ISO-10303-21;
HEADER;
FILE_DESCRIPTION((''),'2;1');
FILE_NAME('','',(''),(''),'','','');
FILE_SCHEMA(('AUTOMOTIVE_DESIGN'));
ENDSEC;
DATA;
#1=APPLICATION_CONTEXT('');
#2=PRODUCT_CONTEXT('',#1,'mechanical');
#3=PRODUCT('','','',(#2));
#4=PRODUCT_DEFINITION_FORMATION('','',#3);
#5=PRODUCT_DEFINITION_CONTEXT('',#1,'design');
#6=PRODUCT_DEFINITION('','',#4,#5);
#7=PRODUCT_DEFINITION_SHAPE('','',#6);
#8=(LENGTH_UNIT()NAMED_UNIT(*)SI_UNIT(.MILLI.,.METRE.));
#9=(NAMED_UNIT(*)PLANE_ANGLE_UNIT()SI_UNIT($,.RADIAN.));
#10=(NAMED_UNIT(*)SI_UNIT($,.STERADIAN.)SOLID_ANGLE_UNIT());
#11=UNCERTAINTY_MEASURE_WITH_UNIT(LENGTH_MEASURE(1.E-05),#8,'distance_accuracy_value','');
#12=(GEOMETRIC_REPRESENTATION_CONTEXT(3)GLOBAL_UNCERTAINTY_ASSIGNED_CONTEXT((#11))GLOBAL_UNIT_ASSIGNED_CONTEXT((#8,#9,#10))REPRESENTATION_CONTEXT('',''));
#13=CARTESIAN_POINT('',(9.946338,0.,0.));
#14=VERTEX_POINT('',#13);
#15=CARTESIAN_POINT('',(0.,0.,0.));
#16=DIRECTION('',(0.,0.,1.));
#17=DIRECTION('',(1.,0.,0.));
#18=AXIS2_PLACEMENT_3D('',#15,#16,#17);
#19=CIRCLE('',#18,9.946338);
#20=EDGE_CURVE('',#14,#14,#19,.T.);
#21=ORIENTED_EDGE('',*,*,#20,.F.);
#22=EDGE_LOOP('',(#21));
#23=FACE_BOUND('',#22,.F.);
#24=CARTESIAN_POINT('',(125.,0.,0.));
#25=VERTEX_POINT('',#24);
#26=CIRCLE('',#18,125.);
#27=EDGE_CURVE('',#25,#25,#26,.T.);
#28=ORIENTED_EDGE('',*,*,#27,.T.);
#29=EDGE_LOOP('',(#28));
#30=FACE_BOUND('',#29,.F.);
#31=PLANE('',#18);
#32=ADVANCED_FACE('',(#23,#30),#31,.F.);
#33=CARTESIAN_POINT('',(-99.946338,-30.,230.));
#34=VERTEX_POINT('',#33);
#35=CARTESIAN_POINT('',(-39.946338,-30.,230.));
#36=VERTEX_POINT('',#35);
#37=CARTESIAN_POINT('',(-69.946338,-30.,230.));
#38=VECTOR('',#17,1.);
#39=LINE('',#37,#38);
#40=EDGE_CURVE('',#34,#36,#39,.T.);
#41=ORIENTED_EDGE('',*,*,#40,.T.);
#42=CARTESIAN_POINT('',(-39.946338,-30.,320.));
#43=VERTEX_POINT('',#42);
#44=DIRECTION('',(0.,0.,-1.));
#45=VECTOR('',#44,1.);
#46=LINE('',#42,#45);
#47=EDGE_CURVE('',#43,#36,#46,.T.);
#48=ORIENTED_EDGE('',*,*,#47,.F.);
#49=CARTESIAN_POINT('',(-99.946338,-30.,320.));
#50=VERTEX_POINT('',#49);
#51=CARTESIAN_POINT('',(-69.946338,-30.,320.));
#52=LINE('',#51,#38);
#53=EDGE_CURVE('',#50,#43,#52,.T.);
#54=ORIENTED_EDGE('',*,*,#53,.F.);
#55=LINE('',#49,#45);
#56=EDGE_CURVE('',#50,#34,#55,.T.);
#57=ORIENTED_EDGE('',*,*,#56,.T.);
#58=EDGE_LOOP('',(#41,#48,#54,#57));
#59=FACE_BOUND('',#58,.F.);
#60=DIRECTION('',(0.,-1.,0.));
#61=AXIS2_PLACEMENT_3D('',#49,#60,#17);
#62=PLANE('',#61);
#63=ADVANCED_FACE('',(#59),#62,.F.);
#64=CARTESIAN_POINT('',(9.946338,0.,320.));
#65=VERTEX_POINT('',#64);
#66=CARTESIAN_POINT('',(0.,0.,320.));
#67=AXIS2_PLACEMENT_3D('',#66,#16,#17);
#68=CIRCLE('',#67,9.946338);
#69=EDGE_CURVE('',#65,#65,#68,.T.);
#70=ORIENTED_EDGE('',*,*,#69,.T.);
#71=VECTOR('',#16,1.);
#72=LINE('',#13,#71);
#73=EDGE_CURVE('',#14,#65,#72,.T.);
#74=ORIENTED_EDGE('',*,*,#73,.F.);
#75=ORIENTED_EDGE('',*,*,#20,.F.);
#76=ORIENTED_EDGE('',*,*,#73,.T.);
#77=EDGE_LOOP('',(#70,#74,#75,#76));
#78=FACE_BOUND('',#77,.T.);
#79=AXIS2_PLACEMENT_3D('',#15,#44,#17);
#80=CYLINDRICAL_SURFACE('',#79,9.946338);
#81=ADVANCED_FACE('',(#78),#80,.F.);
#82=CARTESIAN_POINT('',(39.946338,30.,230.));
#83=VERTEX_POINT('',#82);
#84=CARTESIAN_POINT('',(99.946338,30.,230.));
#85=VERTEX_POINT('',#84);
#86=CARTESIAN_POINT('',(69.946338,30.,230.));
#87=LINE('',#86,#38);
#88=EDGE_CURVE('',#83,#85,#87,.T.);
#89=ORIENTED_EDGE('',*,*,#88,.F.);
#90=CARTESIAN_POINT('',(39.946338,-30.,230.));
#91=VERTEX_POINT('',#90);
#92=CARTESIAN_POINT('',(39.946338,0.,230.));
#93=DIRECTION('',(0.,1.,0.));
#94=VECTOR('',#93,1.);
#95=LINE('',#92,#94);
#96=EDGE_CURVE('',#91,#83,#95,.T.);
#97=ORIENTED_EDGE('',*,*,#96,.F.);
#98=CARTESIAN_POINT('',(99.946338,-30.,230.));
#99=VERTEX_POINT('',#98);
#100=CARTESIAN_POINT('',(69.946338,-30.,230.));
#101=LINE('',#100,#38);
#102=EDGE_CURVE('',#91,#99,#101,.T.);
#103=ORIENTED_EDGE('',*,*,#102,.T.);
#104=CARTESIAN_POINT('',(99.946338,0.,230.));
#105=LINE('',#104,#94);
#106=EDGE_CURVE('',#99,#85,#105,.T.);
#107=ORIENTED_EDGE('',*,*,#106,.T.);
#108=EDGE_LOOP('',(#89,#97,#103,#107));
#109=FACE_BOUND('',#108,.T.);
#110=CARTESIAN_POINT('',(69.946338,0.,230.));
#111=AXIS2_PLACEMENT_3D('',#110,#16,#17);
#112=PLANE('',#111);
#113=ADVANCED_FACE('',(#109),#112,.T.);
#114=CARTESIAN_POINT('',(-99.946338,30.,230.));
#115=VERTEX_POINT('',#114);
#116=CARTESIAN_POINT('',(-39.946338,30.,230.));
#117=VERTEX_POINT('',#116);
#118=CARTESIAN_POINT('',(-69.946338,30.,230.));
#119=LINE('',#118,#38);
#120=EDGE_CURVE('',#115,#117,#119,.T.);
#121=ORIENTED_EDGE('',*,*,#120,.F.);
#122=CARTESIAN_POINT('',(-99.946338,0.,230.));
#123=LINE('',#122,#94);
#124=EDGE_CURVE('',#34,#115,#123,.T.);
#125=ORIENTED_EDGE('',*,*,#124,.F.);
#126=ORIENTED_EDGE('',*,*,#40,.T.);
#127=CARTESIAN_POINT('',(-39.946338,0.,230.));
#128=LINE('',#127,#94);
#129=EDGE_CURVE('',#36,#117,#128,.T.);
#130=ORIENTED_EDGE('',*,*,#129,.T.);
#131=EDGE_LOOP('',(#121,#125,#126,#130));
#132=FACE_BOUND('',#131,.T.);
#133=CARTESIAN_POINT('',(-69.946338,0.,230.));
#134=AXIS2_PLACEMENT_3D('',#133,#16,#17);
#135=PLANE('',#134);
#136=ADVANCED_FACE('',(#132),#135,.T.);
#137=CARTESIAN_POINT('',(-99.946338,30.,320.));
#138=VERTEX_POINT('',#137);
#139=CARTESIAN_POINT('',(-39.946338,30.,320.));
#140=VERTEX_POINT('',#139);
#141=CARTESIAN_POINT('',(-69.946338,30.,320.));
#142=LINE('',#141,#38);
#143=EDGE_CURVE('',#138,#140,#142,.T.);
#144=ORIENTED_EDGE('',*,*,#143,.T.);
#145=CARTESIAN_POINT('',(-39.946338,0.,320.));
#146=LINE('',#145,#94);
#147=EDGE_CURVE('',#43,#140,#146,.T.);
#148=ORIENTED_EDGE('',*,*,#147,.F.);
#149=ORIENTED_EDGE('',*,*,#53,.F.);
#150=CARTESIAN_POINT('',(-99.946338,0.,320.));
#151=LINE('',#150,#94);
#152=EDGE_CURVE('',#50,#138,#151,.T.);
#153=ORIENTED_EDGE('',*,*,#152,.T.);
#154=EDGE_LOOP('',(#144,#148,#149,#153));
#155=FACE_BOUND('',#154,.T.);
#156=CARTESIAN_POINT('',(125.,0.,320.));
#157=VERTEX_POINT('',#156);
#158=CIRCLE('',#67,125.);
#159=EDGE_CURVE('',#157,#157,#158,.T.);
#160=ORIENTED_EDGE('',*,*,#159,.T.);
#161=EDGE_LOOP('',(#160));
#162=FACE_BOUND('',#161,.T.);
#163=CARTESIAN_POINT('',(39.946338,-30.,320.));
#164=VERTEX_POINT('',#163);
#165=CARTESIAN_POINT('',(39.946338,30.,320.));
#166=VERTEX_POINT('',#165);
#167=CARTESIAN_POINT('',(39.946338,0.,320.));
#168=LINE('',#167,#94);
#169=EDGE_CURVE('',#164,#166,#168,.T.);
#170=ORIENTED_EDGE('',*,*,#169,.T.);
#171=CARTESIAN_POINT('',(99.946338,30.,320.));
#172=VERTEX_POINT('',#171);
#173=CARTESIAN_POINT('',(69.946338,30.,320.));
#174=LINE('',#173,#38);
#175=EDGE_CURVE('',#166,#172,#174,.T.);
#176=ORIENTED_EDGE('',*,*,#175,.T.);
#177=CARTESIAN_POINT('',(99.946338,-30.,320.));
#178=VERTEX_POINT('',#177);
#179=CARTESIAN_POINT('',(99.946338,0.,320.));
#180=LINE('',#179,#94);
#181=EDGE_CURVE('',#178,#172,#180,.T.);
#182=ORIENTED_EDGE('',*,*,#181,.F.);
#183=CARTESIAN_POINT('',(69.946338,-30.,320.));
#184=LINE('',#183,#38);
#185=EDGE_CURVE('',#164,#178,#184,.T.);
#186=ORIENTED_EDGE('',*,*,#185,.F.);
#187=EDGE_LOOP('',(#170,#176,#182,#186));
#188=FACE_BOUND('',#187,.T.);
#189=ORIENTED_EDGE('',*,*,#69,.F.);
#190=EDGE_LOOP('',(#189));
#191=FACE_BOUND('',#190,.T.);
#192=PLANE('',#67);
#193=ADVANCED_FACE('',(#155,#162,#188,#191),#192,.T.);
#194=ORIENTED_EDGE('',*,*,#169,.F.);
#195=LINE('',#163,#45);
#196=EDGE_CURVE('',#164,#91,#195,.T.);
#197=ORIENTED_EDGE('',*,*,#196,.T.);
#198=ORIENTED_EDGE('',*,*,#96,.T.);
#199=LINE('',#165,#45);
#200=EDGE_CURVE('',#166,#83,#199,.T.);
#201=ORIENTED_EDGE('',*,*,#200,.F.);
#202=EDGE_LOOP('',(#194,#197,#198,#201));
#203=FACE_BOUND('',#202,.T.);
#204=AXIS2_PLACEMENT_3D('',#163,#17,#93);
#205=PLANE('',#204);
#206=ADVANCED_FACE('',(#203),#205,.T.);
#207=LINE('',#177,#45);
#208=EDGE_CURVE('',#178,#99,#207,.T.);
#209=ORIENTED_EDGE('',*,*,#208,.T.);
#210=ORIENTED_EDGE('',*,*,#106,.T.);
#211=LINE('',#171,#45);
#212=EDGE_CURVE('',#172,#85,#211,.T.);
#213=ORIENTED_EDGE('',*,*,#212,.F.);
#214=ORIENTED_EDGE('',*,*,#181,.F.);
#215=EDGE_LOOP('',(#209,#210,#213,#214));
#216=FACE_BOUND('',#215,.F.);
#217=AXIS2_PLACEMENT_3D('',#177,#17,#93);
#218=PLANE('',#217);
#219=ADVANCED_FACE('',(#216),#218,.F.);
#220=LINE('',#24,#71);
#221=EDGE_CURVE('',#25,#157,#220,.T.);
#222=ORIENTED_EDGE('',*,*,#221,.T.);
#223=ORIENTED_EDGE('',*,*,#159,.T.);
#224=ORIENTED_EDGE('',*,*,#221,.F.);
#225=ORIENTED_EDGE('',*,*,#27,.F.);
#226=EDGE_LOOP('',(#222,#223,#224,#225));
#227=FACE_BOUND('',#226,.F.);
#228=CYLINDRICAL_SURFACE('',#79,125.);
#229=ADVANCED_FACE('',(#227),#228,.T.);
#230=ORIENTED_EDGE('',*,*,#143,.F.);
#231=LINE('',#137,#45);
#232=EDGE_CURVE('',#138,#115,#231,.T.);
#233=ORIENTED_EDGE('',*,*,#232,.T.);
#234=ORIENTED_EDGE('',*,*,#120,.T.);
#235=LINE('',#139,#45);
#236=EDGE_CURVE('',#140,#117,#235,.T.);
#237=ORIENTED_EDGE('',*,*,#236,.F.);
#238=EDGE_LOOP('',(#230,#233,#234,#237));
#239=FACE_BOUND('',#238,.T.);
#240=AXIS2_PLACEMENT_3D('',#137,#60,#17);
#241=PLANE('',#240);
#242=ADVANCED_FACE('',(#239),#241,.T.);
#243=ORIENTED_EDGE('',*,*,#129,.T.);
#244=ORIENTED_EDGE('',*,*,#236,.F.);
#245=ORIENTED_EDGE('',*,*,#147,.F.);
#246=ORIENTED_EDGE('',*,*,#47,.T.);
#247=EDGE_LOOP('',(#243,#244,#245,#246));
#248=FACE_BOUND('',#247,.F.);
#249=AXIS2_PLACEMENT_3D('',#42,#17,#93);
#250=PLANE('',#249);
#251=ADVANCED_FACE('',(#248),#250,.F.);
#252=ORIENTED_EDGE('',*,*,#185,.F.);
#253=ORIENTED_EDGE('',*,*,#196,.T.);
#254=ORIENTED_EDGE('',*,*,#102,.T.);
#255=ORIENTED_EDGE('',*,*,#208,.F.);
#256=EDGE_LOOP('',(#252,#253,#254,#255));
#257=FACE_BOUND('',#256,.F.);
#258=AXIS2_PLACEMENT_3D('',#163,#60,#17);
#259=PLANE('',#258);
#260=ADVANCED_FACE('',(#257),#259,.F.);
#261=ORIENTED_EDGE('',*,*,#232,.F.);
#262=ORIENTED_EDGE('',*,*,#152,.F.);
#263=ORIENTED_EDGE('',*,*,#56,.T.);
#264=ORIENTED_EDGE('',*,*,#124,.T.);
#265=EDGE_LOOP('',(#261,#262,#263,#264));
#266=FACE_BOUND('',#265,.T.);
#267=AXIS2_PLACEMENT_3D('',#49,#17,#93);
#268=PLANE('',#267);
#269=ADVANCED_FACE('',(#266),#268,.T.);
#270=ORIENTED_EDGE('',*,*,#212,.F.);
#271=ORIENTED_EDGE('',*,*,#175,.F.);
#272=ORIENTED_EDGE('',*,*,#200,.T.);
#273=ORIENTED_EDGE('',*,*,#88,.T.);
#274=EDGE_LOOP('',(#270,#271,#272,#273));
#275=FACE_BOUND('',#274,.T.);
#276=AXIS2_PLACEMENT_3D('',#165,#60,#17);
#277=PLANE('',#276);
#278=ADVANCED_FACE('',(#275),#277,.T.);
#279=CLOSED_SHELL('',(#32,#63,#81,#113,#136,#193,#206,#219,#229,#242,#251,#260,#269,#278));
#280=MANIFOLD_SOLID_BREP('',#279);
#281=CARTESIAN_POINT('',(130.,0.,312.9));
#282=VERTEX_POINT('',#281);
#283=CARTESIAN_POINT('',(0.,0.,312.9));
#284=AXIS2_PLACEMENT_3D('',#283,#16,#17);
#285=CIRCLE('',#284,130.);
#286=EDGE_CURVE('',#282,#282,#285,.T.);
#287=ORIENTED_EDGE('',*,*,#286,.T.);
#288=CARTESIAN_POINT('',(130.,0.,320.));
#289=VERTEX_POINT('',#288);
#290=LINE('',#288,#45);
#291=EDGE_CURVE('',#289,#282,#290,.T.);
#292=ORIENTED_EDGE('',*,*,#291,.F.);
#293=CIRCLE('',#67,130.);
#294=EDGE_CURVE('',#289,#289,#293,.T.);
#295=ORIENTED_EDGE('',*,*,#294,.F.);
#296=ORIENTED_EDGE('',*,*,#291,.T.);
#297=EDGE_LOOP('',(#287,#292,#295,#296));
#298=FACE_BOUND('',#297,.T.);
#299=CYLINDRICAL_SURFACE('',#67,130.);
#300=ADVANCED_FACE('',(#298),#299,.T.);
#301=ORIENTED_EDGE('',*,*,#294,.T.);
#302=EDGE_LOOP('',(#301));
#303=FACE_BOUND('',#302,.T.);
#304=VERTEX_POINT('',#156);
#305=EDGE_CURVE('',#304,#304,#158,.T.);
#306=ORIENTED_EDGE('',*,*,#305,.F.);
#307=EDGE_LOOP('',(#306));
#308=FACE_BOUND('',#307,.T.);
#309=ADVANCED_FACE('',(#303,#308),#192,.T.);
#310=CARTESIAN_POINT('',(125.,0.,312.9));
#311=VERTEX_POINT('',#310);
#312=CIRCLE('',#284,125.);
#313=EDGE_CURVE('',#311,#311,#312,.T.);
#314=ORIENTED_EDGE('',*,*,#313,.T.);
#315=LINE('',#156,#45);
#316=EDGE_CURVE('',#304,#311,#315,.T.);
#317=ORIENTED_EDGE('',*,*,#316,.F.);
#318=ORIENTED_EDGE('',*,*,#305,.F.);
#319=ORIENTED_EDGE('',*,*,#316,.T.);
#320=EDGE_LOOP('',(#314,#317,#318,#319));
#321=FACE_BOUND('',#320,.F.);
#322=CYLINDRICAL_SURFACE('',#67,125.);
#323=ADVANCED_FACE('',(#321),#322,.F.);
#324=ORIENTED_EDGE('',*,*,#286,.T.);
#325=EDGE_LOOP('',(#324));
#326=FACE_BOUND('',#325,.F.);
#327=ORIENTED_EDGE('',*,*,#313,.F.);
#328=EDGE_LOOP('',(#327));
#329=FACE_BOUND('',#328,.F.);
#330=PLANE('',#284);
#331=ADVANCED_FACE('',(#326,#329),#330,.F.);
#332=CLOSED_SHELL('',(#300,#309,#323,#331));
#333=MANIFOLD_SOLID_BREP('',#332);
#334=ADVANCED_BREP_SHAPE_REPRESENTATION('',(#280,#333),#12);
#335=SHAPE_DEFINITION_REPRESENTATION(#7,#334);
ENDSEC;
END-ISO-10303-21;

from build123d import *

# Parameters (mm, degrees)
F0_R     = 125
F0_R_2   = 9.94633835
F1_DEPTH = 320
F2_R     = 130
F2_R_2   = 125
F3_DEPTH = 7.1
F4_R     = 0.9227178023
F5_DEPTH = 25
F6_W     = 60
F6_H     = 60
F7_DEPTH = 90


with BuildPart() as f1:
    # F0 (on Top) → F1 (new body)
    with BuildSketch(Plane.XY):
        Circle(F0_R)
        Circle(F0_R_2, mode=Mode.SUBTRACT)
    extrude(amount=F1_DEPTH)

    # F4 (on face) → F5 (cut)
    with BuildSketch(Plane.XY.offset(320)):
        Circle(F4_R)
    extrude(amount=-F5_DEPTH, mode=Mode.SUBTRACT)

    # F6 (on face) → F7 (cut)
    with BuildSketch(Plane.XY.offset(320)):
        with Locations((-69.94633835, 0)):
            Rectangle(F6_W, F6_H)
        with Locations((69.94633835, 0)):
            Rectangle(F6_W, F6_H)
    extrude(amount=-F7_DEPTH, mode=Mode.SUBTRACT)


with BuildPart() as f3:
    # F2 (on face) → F3 (new body)
    with BuildSketch(Plane.XY.offset(320)):
        Circle(F2_R)
        Circle(F2_R_2, mode=Mode.SUBTRACT)
    extrude(amount=-F3_DEPTH)


solid = Compound([f1.part, f3.part])
